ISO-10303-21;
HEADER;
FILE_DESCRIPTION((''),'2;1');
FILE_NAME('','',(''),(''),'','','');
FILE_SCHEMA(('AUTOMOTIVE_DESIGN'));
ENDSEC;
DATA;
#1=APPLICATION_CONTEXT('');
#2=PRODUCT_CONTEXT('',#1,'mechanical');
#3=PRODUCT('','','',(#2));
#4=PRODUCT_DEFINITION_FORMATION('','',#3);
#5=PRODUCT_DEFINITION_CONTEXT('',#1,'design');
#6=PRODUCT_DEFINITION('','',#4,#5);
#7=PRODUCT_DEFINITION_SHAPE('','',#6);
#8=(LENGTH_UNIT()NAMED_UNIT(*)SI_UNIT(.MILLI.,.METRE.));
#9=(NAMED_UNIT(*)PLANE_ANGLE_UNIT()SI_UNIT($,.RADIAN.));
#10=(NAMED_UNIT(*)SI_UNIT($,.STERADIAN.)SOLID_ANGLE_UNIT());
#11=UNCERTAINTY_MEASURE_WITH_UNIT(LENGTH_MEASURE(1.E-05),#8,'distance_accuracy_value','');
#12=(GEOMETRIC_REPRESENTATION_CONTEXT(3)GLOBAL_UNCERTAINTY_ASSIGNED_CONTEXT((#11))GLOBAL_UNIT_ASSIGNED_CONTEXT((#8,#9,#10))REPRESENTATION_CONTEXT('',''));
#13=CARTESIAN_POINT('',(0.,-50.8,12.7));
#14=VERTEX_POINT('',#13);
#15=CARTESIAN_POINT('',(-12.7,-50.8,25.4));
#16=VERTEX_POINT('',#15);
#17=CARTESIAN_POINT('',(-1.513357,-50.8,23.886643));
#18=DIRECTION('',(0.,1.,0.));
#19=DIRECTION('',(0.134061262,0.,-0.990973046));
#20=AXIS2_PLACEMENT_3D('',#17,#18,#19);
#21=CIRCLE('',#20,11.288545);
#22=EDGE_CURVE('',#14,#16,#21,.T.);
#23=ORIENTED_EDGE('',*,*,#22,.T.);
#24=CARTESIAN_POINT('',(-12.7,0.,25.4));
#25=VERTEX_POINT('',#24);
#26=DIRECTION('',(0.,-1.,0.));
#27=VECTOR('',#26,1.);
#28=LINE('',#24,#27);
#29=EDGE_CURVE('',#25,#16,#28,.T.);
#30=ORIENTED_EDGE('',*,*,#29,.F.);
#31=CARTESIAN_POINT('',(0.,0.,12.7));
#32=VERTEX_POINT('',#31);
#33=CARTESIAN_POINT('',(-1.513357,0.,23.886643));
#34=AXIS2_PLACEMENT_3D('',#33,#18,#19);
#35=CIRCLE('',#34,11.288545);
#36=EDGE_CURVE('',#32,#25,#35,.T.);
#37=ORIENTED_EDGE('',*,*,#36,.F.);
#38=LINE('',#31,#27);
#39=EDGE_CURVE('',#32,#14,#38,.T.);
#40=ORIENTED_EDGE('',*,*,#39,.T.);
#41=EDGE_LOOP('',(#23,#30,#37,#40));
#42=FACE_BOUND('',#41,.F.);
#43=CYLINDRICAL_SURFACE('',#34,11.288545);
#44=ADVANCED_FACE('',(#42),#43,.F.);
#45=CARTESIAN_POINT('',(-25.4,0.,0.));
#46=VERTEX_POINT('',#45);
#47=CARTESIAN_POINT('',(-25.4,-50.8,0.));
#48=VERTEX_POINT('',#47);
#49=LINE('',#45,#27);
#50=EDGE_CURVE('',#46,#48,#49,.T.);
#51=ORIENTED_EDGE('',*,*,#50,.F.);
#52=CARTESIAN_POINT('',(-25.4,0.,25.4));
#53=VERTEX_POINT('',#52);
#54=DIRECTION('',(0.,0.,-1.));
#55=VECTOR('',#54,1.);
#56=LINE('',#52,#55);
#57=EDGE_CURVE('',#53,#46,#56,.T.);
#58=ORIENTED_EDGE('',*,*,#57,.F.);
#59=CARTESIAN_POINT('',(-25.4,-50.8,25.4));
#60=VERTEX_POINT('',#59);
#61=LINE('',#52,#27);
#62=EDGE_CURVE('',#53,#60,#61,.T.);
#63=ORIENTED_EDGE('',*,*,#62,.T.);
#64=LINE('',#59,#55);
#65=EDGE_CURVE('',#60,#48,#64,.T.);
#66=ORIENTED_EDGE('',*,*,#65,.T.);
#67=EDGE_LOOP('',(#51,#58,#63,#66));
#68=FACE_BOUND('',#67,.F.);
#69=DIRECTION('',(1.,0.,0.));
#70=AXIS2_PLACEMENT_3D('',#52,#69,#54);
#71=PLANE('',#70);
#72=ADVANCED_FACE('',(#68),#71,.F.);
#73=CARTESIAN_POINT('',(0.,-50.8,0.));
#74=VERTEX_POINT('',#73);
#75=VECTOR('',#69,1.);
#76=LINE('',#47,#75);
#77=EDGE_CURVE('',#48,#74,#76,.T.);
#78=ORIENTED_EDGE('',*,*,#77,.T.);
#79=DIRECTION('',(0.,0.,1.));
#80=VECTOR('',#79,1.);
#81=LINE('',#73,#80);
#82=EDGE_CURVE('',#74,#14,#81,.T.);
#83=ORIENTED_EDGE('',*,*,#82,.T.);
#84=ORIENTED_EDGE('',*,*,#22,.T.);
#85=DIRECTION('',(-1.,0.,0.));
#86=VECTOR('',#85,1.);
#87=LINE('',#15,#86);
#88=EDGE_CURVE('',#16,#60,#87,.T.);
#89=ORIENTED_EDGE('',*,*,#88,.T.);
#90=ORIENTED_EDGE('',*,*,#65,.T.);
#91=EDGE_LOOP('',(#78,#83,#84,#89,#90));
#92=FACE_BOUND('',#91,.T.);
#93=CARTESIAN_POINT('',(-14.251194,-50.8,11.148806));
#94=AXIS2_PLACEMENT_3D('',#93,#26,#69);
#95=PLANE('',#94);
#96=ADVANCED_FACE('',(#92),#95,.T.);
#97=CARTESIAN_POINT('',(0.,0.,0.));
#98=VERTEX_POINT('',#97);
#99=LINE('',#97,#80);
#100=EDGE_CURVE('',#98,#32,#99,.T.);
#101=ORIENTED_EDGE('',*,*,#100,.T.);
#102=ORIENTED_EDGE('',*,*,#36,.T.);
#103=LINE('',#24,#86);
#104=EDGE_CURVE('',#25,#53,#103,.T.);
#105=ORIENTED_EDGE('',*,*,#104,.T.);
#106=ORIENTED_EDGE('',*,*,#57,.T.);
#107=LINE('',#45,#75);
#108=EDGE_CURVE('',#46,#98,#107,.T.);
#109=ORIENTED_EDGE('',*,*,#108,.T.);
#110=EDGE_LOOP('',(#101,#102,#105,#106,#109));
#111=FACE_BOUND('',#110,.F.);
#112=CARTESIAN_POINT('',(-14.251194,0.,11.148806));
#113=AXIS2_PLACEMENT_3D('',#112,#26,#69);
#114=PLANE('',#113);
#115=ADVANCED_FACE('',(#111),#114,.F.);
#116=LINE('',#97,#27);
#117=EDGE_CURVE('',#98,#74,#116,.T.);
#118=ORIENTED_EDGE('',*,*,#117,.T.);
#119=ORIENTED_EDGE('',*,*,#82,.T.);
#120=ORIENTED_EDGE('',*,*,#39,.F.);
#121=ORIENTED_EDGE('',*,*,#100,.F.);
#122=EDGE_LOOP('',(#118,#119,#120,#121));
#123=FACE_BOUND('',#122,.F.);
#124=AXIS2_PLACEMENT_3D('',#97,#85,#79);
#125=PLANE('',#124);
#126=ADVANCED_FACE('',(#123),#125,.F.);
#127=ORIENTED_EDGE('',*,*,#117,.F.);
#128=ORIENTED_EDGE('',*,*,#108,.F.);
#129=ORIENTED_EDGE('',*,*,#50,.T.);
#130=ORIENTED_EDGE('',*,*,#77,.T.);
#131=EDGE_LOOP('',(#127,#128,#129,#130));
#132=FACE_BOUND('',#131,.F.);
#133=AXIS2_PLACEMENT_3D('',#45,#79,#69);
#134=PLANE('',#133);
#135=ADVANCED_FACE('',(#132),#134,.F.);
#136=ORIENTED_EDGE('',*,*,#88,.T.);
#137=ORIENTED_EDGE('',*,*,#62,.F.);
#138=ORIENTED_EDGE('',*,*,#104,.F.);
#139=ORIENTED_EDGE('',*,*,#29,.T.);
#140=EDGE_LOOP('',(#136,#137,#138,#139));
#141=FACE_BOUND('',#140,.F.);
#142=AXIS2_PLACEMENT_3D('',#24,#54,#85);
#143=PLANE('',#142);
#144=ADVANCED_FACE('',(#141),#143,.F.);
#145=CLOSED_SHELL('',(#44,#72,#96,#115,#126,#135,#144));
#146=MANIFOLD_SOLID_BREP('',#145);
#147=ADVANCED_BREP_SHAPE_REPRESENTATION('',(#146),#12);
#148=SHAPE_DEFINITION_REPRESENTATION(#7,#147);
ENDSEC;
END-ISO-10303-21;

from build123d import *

# Parameters (mm, degrees)
F1_DEPTH = 50.8


with BuildPart() as f1:
    # F0 (on Front) → F1 (new body)
    with BuildSketch(Plane.XZ):
        with BuildLine():
            Line((-25.4, 0), (0, 0))
            Line((0, 0), (0, 12.7))
            ThreePointArc((0, 12.7), (-9.495563, 15.904437), (-12.7, 25.4))
            Line((-12.7, 25.4), (-25.4, 25.4))
            Line((-25.4, 25.4), (-25.4, 0))
        make_face()
    extrude(amount=F1_DEPTH)


solid = f1.part
